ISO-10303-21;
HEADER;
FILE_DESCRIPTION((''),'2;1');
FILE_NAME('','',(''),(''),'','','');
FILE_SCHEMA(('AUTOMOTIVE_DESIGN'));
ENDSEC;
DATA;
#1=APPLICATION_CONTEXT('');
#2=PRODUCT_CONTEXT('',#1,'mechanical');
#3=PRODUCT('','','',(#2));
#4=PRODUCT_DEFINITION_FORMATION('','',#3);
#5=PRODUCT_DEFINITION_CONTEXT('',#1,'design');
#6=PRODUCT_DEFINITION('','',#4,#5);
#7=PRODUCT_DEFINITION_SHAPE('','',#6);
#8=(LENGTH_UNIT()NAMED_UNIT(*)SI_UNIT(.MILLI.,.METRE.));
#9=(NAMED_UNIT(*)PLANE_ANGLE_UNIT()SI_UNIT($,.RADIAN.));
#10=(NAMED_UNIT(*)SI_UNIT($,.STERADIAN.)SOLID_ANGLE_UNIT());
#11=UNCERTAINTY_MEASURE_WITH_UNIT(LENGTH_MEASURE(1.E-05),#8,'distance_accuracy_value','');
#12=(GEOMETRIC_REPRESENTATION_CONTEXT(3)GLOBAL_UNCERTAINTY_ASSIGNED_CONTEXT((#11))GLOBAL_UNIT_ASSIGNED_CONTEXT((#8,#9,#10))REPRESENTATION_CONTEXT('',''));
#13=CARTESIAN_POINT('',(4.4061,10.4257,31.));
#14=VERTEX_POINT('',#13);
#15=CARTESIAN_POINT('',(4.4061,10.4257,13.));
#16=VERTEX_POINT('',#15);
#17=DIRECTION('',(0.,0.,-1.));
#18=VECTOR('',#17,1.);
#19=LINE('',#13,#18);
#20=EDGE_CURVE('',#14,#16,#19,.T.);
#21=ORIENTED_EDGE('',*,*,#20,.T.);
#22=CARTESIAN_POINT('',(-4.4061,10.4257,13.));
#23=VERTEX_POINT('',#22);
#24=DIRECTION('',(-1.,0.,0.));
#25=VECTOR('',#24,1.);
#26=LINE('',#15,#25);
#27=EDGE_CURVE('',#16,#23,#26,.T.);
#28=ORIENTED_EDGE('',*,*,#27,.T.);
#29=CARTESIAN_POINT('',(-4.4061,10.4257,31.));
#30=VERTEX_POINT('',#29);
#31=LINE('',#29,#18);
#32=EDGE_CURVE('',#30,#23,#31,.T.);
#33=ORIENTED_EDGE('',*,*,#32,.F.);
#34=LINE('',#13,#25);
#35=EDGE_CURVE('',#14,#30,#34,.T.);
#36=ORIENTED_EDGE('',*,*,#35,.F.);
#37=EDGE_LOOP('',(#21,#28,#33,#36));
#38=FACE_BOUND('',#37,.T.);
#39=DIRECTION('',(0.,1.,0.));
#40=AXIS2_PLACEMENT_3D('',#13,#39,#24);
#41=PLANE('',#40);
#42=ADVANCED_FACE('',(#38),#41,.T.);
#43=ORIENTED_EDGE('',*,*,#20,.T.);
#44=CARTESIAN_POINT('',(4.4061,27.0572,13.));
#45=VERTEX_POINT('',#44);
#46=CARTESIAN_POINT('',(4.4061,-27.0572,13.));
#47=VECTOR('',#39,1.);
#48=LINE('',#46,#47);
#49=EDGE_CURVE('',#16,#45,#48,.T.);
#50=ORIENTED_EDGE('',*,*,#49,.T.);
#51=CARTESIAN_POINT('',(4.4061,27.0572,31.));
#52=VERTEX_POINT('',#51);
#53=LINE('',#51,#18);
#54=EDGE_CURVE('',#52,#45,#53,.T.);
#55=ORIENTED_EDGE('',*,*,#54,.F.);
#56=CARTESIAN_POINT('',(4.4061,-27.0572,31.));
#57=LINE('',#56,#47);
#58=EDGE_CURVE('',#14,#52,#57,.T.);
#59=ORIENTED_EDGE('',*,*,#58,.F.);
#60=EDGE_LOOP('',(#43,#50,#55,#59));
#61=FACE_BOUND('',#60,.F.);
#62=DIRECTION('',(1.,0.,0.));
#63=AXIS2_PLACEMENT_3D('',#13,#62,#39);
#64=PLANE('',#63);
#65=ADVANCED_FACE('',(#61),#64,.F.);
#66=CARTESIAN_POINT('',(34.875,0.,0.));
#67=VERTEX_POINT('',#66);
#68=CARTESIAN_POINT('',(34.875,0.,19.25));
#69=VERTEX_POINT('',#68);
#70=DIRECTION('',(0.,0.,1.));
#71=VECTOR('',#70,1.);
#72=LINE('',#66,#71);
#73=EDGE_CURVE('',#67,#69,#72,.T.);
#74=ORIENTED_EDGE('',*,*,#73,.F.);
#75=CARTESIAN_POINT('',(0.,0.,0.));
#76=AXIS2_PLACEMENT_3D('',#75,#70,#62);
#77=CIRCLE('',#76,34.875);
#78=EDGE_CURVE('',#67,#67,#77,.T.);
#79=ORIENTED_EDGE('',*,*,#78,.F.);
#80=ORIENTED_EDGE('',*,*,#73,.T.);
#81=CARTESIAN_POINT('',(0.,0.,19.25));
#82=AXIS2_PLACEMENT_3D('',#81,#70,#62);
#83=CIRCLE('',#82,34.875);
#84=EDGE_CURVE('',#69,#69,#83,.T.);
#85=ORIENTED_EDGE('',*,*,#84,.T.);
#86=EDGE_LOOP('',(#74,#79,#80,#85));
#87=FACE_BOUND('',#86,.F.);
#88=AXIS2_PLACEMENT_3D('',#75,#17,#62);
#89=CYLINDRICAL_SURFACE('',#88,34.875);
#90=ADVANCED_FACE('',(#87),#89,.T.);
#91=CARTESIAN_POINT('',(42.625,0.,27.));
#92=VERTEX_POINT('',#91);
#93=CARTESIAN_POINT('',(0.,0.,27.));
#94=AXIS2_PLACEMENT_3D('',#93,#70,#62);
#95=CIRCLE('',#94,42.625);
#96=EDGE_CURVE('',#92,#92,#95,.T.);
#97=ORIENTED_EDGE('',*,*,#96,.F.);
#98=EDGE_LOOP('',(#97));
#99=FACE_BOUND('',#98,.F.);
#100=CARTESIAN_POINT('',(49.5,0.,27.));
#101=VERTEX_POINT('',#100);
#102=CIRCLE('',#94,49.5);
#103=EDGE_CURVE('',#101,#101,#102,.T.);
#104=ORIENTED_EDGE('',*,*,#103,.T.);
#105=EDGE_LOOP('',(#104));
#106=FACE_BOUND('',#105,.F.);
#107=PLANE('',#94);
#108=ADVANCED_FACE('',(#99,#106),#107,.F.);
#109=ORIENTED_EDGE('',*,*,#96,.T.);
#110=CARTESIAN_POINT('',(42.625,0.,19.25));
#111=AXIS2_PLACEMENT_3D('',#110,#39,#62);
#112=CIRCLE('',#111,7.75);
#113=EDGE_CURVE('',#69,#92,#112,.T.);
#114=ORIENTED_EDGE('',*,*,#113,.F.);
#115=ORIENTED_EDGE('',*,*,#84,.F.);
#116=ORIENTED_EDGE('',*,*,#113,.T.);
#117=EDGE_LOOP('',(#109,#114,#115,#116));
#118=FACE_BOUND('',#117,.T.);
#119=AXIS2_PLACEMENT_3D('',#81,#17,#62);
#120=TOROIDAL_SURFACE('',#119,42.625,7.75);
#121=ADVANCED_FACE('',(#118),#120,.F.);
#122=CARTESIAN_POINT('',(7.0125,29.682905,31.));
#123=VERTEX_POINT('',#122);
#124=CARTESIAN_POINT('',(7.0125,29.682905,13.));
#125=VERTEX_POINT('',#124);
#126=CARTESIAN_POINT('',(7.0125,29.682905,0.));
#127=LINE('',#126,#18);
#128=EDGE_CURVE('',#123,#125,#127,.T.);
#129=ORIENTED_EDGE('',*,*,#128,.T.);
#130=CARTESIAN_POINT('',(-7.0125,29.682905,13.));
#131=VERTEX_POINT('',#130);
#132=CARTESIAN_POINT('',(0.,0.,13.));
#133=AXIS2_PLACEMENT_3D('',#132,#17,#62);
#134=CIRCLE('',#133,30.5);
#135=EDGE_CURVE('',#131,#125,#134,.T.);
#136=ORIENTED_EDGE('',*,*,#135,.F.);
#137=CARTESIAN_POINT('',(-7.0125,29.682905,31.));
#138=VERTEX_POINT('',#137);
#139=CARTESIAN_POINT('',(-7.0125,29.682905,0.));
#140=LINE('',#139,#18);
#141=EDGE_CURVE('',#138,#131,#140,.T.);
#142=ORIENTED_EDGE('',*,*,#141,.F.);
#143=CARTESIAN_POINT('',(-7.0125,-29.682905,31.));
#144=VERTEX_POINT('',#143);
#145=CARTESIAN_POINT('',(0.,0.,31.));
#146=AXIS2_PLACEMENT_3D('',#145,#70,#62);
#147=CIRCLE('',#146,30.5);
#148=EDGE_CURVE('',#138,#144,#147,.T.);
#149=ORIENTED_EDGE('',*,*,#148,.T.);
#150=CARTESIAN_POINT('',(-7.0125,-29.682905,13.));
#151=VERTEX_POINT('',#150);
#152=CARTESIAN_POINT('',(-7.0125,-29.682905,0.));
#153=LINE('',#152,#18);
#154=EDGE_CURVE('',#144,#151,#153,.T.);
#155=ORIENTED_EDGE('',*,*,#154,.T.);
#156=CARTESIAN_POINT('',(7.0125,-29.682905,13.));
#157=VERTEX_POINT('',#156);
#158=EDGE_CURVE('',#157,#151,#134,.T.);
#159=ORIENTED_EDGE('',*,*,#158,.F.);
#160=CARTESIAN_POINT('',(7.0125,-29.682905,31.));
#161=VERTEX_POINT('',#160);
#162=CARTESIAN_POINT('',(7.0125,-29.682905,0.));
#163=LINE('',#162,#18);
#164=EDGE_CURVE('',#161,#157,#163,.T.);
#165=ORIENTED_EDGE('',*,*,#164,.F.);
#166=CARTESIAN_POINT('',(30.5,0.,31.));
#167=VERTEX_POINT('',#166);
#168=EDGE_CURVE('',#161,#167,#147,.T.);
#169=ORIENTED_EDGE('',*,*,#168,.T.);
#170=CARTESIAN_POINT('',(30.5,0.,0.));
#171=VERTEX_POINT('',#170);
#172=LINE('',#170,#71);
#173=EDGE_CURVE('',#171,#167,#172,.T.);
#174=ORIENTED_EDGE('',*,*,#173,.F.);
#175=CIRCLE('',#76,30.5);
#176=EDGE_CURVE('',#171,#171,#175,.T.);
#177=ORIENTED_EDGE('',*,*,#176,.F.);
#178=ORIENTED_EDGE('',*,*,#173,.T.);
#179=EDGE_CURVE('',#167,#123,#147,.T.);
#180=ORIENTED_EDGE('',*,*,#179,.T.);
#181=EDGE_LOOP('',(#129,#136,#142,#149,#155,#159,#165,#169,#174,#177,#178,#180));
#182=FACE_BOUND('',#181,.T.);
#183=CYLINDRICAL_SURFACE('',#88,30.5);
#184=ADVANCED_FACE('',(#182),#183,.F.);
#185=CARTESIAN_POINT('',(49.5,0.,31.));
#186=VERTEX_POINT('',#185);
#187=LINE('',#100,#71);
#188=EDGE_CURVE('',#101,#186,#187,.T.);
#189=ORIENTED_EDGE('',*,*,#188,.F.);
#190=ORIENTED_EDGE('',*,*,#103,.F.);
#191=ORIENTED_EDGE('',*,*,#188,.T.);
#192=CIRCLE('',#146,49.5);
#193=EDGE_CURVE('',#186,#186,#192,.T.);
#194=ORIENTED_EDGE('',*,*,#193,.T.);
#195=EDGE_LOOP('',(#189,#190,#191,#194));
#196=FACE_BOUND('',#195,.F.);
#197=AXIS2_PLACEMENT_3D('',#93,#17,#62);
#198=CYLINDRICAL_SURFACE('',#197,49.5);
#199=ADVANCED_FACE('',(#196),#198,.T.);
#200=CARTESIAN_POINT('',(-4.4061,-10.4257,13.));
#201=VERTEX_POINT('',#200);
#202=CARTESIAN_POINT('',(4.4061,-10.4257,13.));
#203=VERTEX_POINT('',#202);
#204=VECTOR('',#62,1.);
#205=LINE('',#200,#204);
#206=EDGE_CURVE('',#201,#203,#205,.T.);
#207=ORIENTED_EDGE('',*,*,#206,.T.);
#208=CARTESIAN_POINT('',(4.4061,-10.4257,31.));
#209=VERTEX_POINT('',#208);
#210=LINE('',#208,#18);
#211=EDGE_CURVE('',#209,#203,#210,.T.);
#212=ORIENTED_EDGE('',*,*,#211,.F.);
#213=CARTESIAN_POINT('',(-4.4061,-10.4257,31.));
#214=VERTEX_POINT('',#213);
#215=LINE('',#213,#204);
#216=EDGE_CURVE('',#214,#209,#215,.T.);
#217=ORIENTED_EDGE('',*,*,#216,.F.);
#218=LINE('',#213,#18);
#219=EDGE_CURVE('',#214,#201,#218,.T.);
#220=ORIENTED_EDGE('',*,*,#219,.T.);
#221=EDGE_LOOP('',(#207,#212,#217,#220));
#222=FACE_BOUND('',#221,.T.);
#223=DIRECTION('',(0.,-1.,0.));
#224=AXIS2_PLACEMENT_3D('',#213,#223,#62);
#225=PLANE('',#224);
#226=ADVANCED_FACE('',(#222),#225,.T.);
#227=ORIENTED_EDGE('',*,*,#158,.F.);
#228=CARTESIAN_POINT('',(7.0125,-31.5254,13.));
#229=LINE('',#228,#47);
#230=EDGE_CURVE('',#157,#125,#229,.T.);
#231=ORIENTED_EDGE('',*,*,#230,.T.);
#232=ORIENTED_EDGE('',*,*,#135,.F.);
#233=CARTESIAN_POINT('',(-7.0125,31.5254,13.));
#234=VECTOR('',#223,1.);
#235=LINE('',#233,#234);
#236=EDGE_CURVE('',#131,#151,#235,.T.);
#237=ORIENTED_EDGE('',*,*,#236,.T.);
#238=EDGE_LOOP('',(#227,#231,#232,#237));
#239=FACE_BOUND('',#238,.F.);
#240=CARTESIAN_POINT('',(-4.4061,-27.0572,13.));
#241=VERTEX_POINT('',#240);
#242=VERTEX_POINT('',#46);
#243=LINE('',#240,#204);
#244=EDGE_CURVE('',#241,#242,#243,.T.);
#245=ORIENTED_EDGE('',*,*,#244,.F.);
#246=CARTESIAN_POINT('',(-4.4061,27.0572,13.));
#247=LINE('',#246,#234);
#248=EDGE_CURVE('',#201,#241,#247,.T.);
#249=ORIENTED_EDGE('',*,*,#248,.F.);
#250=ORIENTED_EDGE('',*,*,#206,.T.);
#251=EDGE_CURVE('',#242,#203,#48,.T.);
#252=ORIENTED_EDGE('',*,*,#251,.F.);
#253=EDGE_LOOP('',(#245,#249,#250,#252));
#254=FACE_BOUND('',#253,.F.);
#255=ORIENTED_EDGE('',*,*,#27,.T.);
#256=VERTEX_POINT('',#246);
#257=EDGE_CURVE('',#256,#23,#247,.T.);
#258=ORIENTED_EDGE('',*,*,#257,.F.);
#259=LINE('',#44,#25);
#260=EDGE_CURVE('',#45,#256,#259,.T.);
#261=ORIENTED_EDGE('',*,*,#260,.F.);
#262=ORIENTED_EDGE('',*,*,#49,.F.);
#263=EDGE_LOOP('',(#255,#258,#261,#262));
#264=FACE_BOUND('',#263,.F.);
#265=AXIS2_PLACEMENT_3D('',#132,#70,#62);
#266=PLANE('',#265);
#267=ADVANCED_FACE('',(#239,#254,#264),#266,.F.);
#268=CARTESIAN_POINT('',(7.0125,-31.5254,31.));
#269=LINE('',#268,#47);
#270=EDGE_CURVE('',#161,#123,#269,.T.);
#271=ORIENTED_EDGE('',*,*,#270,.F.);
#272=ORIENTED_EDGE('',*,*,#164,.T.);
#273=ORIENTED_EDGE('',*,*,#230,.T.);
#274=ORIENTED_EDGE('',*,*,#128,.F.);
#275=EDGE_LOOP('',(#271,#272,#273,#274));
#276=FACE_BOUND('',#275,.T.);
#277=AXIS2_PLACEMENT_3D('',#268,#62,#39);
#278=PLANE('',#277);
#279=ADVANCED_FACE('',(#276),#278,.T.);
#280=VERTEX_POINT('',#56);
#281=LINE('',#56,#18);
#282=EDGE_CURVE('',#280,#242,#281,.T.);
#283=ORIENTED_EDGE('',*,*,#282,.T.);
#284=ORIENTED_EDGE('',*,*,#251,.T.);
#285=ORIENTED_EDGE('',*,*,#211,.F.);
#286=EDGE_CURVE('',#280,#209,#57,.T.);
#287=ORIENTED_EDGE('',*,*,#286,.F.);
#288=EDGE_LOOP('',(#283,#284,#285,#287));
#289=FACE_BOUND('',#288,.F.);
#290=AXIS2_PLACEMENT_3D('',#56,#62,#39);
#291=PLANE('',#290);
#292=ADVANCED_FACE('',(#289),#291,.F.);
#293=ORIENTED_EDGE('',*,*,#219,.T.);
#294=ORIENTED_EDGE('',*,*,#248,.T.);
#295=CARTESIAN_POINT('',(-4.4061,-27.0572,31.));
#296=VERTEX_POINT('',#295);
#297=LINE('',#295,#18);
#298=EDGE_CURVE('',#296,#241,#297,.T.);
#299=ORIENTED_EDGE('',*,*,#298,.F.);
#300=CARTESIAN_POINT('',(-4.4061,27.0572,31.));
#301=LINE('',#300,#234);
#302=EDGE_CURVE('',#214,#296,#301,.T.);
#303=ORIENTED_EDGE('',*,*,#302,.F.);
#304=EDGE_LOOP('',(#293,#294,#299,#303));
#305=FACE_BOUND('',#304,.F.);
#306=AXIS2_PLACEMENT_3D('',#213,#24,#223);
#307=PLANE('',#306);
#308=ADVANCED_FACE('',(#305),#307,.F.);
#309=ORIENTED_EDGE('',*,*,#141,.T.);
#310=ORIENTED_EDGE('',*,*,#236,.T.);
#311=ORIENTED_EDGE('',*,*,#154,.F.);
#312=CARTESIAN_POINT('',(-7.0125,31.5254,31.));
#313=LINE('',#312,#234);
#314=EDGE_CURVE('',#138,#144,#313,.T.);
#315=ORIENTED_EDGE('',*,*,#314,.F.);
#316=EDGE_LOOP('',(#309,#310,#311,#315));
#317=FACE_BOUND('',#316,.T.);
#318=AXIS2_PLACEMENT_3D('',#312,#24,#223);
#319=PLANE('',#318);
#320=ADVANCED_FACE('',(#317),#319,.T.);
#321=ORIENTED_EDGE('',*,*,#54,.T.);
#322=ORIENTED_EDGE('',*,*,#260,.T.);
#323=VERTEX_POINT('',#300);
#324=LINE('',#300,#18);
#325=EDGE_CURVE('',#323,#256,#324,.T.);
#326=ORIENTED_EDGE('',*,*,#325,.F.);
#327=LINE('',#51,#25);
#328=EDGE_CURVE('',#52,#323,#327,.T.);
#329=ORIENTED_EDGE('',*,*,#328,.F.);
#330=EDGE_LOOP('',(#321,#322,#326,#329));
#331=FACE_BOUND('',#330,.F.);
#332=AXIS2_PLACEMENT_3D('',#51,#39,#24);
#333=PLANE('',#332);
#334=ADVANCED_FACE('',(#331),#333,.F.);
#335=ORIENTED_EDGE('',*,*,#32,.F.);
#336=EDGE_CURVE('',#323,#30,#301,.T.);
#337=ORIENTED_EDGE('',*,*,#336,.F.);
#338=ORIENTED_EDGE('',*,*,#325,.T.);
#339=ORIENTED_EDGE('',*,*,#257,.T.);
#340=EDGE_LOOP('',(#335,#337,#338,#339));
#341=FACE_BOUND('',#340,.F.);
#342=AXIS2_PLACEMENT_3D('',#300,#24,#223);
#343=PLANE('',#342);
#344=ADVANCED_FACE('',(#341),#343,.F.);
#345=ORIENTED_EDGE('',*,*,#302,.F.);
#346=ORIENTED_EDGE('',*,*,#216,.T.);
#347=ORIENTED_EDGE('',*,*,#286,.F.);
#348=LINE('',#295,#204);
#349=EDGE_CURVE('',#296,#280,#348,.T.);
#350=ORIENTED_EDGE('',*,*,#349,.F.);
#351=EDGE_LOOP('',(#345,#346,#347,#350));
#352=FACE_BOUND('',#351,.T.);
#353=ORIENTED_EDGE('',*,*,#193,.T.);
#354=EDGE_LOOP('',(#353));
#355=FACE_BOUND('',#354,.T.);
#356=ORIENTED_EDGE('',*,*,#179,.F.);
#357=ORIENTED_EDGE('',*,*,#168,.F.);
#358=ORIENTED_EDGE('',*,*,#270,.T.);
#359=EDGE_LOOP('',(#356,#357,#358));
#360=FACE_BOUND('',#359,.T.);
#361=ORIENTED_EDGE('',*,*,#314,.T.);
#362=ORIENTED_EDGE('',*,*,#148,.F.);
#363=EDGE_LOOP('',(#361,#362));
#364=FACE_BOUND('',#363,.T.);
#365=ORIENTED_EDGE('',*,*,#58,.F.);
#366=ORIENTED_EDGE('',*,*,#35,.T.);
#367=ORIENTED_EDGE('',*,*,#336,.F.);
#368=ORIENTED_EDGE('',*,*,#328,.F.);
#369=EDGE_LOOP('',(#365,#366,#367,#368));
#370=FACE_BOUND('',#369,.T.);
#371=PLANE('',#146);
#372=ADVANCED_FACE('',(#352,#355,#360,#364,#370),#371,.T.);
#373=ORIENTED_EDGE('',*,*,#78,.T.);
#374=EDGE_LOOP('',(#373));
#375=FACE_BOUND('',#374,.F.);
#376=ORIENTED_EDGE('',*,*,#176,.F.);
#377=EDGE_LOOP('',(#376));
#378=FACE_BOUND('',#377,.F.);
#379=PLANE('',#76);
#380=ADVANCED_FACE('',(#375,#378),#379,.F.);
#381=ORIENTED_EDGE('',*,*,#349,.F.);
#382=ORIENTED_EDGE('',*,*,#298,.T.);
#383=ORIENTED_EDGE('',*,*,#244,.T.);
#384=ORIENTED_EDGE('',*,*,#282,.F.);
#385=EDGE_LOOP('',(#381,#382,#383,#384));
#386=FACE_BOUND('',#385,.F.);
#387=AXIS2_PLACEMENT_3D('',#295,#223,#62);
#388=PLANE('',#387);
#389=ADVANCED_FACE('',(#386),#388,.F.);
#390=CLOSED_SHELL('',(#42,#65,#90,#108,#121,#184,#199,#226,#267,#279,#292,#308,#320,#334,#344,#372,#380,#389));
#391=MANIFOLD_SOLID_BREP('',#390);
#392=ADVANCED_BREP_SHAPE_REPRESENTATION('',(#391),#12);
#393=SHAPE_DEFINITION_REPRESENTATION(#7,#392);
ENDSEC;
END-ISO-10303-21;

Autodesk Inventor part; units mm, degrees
ref_plane "YZ Plane" through (0, 0, 0) normal (1, 0, 0) x (0, 1, 0)
ref_plane "XZ Plane" through (0, 0, 0) normal (0, 1, 0) x (-1, 0, 0)
ref_plane "XY Plane" through (0, 0, 0) normal (0, 0, 1) x (1, 0, 0)
sketch "Boceto1" plane through (0, 0, 0) normal (0, 0, 1) x (1, 0, 0)
  circle A0 centre (0, 0) radius 30.5
  circle A1 centre (0, 0) radius 34.875
  dimension "d0" = 61
  dimension "d1" = 69.75
extrude "Extrusión1" add sketch "Boceto1" along normal blind 27
sketch "Boceto2" plane through (0, 0, 27) normal (0, 0, 1) x (1, 0, 0)
  circle A0 centre (0, 0) radius 35.0049
  circle A1 centre (0, 0) radius 30.5
  circle A2 centre (0, 0) radius 49.5
  dimension "d4" = 19
extrude "Extrusión2" add sketch "Boceto2" along normal blind 4 contours A0 | A2
sketch "Boceto3" plane through (0, 0, 27) normal (0, 0, -1) x (-1, 0, 0)
  point P0 (0, 0)
fillet "Empalme1" radius 7.75 1 edges at (-34.875, 0, 27)
sketch "Boceto4" plane through (0, 0, 0) normal (0, 0, -1) x (-1, 0, 0)
  circle A0 centre (0, 0) radius 31.639
  line L0 (-6.5155, -30.9609) -> (6.5155, -30.9609)
  line L1 (6.5155, -30.9609) -> (6.5155, 30.9609)
  line L2 (6.5155, 30.9609) -> (-6.5155, 30.9609)
  line L3 (-6.5155, 30.9609) -> (-6.5155, -30.9609)
  line L4 (-6.5155, -30.9609) -> (6.5155, 30.9609) construction
  line L5 (6.5155, -30.9609) -> (-6.5155, 30.9609) construction
sketch "Boceto5" plane through (0, 0, 31) normal (0, 0, 1) x (1, 0, 0)
  line L0 (-7.0125, -31.5254) -> (7.0125, -31.5254)
  line L1 (7.0125, -31.5254) -> (7.0125, 31.5254)
  line L2 (7.0125, 31.5254) -> (-7.0125, 31.5254)
  line L3 (-7.0125, 31.5254) -> (-7.0125, -31.5254)
  line L4 (-7.0125, -31.5254) -> (7.0125, 31.5254) construction
  line L5 (7.0125, -31.5254) -> (-7.0125, 31.5254) construction
  line L6 (-4.4061, -27.0572) -> (4.4061, -27.0572)
  line L7 (4.4061, -27.0572) -> (4.4061, 27.0572)
  line L8 (4.4061, 27.0572) -> (-4.4061, 27.0572)
  line L9 (-4.4061, 27.0572) -> (-4.4061, -27.0572)
  line L10 (-4.4061, -27.0572) -> (4.4061, 27.0572) construction
  line L11 (4.4061, -27.0572) -> (-4.4061, 27.0572) construction
  line L12 (-4.4061, -10.4257) -> (4.4061, -10.4257)
  line L13 (4.4061, -10.4257) -> (4.4061, 10.4257)
  line L14 (4.4061, 10.4257) -> (-4.4061, 10.4257)
  line L15 (-4.4061, 10.4257) -> (-4.4061, -10.4257)
  line L16 (-4.4061, -10.4257) -> (4.4061, 10.4257) construction
  line L17 (4.4061, -10.4257) -> (-4.4061, 10.4257) construction
  point P0 (0, 0)
extrude "Extrusión3" add sketch "Boceto5" against normal blind 18 contours L3 L2 L1 L0 | L9 L14 L7 L12
properties part number "Base_robot_base_3DPrint"
